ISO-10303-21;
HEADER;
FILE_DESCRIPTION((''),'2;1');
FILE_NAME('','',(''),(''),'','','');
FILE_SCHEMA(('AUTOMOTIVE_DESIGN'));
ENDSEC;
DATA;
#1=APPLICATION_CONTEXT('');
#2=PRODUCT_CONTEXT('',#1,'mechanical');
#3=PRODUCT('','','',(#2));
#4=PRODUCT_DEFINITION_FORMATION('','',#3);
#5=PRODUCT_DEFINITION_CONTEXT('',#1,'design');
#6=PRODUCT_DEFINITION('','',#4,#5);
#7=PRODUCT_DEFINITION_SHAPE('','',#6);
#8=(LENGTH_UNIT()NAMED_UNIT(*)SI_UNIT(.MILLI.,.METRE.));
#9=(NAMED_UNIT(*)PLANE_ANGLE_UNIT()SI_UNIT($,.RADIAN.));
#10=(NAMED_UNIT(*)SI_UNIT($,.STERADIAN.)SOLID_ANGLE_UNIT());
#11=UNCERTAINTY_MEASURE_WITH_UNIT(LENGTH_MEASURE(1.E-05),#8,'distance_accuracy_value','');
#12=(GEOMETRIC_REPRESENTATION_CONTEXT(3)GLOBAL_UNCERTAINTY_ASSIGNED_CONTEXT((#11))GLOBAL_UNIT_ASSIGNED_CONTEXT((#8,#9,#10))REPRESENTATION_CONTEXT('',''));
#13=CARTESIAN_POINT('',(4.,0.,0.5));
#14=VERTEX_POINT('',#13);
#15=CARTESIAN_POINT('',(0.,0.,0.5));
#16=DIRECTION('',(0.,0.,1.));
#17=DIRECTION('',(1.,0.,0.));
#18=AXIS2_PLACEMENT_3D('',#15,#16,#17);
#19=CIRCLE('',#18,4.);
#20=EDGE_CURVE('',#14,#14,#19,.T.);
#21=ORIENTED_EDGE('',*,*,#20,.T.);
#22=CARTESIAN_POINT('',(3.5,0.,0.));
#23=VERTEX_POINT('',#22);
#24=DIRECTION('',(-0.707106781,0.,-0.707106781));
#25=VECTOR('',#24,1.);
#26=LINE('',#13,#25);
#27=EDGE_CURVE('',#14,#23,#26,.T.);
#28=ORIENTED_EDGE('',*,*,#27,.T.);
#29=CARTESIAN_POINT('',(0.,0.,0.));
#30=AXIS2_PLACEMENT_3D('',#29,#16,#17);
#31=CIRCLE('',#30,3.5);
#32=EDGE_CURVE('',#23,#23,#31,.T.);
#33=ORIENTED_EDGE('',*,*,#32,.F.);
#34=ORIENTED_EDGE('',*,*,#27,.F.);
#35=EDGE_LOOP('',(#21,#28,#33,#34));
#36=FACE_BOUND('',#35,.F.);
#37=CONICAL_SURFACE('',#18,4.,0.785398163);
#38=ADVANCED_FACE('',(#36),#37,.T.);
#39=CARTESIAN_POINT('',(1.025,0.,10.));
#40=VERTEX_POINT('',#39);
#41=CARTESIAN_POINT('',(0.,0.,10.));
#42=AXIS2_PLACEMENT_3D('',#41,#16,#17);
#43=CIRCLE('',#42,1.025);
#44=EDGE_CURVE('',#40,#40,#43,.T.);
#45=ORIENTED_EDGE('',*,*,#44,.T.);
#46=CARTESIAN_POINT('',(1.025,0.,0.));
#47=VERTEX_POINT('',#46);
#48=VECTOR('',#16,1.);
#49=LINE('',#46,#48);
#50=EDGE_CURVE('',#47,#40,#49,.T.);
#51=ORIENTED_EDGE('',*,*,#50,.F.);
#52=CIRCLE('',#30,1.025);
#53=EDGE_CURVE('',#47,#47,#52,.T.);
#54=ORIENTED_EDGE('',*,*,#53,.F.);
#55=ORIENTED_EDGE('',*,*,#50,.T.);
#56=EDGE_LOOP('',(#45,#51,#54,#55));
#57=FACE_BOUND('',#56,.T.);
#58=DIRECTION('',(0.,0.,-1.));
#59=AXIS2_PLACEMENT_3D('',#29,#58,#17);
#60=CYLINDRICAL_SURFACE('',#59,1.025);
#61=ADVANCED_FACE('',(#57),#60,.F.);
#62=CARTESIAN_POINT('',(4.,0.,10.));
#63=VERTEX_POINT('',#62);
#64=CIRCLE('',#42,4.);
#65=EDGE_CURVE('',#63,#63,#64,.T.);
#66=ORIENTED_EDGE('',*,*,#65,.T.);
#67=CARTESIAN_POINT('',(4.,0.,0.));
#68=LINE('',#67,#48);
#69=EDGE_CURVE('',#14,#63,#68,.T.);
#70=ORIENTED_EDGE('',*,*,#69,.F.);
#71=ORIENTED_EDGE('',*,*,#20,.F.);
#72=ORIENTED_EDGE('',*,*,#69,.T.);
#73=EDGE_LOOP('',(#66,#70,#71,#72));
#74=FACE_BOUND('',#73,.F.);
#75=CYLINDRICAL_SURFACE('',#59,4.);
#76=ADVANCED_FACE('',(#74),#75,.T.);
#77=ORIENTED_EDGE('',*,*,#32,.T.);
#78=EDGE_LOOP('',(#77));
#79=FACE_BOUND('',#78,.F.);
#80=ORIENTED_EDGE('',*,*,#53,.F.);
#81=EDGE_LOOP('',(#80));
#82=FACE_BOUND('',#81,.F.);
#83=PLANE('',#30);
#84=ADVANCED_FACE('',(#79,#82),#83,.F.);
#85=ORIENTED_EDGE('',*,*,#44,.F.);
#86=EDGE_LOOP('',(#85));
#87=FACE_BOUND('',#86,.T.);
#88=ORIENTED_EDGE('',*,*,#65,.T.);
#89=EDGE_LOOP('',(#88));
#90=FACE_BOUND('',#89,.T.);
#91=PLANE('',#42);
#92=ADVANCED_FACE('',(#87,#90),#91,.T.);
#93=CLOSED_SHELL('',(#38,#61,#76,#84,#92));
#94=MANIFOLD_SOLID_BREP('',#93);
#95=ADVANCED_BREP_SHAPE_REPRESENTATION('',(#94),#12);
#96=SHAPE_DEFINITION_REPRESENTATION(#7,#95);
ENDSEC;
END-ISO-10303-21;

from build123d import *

# Parameters (mm, degrees)
SKETCH_R     = 4
SKETCH_R_2   = 1.025
PAD_DEPTH    = 10
CHAMFER_SIZE = 0.5


with BuildPart() as part:
    # Sketch (on XY_Plane of Origin) → Pad (new body)
    with BuildSketch(Plane.XY):
        Circle(SKETCH_R)
        Circle(SKETCH_R_2, mode=Mode.SUBTRACT)
    extrude(amount=PAD_DEPTH)

    # Chamfer
    chamfer_edges = [part.edges().sort_by_distance(p)[0] for p in [
        (-4, 0, 0),
    ]]
    chamfer(chamfer_edges, length=CHAMFER_SIZE)


solid = part.part
